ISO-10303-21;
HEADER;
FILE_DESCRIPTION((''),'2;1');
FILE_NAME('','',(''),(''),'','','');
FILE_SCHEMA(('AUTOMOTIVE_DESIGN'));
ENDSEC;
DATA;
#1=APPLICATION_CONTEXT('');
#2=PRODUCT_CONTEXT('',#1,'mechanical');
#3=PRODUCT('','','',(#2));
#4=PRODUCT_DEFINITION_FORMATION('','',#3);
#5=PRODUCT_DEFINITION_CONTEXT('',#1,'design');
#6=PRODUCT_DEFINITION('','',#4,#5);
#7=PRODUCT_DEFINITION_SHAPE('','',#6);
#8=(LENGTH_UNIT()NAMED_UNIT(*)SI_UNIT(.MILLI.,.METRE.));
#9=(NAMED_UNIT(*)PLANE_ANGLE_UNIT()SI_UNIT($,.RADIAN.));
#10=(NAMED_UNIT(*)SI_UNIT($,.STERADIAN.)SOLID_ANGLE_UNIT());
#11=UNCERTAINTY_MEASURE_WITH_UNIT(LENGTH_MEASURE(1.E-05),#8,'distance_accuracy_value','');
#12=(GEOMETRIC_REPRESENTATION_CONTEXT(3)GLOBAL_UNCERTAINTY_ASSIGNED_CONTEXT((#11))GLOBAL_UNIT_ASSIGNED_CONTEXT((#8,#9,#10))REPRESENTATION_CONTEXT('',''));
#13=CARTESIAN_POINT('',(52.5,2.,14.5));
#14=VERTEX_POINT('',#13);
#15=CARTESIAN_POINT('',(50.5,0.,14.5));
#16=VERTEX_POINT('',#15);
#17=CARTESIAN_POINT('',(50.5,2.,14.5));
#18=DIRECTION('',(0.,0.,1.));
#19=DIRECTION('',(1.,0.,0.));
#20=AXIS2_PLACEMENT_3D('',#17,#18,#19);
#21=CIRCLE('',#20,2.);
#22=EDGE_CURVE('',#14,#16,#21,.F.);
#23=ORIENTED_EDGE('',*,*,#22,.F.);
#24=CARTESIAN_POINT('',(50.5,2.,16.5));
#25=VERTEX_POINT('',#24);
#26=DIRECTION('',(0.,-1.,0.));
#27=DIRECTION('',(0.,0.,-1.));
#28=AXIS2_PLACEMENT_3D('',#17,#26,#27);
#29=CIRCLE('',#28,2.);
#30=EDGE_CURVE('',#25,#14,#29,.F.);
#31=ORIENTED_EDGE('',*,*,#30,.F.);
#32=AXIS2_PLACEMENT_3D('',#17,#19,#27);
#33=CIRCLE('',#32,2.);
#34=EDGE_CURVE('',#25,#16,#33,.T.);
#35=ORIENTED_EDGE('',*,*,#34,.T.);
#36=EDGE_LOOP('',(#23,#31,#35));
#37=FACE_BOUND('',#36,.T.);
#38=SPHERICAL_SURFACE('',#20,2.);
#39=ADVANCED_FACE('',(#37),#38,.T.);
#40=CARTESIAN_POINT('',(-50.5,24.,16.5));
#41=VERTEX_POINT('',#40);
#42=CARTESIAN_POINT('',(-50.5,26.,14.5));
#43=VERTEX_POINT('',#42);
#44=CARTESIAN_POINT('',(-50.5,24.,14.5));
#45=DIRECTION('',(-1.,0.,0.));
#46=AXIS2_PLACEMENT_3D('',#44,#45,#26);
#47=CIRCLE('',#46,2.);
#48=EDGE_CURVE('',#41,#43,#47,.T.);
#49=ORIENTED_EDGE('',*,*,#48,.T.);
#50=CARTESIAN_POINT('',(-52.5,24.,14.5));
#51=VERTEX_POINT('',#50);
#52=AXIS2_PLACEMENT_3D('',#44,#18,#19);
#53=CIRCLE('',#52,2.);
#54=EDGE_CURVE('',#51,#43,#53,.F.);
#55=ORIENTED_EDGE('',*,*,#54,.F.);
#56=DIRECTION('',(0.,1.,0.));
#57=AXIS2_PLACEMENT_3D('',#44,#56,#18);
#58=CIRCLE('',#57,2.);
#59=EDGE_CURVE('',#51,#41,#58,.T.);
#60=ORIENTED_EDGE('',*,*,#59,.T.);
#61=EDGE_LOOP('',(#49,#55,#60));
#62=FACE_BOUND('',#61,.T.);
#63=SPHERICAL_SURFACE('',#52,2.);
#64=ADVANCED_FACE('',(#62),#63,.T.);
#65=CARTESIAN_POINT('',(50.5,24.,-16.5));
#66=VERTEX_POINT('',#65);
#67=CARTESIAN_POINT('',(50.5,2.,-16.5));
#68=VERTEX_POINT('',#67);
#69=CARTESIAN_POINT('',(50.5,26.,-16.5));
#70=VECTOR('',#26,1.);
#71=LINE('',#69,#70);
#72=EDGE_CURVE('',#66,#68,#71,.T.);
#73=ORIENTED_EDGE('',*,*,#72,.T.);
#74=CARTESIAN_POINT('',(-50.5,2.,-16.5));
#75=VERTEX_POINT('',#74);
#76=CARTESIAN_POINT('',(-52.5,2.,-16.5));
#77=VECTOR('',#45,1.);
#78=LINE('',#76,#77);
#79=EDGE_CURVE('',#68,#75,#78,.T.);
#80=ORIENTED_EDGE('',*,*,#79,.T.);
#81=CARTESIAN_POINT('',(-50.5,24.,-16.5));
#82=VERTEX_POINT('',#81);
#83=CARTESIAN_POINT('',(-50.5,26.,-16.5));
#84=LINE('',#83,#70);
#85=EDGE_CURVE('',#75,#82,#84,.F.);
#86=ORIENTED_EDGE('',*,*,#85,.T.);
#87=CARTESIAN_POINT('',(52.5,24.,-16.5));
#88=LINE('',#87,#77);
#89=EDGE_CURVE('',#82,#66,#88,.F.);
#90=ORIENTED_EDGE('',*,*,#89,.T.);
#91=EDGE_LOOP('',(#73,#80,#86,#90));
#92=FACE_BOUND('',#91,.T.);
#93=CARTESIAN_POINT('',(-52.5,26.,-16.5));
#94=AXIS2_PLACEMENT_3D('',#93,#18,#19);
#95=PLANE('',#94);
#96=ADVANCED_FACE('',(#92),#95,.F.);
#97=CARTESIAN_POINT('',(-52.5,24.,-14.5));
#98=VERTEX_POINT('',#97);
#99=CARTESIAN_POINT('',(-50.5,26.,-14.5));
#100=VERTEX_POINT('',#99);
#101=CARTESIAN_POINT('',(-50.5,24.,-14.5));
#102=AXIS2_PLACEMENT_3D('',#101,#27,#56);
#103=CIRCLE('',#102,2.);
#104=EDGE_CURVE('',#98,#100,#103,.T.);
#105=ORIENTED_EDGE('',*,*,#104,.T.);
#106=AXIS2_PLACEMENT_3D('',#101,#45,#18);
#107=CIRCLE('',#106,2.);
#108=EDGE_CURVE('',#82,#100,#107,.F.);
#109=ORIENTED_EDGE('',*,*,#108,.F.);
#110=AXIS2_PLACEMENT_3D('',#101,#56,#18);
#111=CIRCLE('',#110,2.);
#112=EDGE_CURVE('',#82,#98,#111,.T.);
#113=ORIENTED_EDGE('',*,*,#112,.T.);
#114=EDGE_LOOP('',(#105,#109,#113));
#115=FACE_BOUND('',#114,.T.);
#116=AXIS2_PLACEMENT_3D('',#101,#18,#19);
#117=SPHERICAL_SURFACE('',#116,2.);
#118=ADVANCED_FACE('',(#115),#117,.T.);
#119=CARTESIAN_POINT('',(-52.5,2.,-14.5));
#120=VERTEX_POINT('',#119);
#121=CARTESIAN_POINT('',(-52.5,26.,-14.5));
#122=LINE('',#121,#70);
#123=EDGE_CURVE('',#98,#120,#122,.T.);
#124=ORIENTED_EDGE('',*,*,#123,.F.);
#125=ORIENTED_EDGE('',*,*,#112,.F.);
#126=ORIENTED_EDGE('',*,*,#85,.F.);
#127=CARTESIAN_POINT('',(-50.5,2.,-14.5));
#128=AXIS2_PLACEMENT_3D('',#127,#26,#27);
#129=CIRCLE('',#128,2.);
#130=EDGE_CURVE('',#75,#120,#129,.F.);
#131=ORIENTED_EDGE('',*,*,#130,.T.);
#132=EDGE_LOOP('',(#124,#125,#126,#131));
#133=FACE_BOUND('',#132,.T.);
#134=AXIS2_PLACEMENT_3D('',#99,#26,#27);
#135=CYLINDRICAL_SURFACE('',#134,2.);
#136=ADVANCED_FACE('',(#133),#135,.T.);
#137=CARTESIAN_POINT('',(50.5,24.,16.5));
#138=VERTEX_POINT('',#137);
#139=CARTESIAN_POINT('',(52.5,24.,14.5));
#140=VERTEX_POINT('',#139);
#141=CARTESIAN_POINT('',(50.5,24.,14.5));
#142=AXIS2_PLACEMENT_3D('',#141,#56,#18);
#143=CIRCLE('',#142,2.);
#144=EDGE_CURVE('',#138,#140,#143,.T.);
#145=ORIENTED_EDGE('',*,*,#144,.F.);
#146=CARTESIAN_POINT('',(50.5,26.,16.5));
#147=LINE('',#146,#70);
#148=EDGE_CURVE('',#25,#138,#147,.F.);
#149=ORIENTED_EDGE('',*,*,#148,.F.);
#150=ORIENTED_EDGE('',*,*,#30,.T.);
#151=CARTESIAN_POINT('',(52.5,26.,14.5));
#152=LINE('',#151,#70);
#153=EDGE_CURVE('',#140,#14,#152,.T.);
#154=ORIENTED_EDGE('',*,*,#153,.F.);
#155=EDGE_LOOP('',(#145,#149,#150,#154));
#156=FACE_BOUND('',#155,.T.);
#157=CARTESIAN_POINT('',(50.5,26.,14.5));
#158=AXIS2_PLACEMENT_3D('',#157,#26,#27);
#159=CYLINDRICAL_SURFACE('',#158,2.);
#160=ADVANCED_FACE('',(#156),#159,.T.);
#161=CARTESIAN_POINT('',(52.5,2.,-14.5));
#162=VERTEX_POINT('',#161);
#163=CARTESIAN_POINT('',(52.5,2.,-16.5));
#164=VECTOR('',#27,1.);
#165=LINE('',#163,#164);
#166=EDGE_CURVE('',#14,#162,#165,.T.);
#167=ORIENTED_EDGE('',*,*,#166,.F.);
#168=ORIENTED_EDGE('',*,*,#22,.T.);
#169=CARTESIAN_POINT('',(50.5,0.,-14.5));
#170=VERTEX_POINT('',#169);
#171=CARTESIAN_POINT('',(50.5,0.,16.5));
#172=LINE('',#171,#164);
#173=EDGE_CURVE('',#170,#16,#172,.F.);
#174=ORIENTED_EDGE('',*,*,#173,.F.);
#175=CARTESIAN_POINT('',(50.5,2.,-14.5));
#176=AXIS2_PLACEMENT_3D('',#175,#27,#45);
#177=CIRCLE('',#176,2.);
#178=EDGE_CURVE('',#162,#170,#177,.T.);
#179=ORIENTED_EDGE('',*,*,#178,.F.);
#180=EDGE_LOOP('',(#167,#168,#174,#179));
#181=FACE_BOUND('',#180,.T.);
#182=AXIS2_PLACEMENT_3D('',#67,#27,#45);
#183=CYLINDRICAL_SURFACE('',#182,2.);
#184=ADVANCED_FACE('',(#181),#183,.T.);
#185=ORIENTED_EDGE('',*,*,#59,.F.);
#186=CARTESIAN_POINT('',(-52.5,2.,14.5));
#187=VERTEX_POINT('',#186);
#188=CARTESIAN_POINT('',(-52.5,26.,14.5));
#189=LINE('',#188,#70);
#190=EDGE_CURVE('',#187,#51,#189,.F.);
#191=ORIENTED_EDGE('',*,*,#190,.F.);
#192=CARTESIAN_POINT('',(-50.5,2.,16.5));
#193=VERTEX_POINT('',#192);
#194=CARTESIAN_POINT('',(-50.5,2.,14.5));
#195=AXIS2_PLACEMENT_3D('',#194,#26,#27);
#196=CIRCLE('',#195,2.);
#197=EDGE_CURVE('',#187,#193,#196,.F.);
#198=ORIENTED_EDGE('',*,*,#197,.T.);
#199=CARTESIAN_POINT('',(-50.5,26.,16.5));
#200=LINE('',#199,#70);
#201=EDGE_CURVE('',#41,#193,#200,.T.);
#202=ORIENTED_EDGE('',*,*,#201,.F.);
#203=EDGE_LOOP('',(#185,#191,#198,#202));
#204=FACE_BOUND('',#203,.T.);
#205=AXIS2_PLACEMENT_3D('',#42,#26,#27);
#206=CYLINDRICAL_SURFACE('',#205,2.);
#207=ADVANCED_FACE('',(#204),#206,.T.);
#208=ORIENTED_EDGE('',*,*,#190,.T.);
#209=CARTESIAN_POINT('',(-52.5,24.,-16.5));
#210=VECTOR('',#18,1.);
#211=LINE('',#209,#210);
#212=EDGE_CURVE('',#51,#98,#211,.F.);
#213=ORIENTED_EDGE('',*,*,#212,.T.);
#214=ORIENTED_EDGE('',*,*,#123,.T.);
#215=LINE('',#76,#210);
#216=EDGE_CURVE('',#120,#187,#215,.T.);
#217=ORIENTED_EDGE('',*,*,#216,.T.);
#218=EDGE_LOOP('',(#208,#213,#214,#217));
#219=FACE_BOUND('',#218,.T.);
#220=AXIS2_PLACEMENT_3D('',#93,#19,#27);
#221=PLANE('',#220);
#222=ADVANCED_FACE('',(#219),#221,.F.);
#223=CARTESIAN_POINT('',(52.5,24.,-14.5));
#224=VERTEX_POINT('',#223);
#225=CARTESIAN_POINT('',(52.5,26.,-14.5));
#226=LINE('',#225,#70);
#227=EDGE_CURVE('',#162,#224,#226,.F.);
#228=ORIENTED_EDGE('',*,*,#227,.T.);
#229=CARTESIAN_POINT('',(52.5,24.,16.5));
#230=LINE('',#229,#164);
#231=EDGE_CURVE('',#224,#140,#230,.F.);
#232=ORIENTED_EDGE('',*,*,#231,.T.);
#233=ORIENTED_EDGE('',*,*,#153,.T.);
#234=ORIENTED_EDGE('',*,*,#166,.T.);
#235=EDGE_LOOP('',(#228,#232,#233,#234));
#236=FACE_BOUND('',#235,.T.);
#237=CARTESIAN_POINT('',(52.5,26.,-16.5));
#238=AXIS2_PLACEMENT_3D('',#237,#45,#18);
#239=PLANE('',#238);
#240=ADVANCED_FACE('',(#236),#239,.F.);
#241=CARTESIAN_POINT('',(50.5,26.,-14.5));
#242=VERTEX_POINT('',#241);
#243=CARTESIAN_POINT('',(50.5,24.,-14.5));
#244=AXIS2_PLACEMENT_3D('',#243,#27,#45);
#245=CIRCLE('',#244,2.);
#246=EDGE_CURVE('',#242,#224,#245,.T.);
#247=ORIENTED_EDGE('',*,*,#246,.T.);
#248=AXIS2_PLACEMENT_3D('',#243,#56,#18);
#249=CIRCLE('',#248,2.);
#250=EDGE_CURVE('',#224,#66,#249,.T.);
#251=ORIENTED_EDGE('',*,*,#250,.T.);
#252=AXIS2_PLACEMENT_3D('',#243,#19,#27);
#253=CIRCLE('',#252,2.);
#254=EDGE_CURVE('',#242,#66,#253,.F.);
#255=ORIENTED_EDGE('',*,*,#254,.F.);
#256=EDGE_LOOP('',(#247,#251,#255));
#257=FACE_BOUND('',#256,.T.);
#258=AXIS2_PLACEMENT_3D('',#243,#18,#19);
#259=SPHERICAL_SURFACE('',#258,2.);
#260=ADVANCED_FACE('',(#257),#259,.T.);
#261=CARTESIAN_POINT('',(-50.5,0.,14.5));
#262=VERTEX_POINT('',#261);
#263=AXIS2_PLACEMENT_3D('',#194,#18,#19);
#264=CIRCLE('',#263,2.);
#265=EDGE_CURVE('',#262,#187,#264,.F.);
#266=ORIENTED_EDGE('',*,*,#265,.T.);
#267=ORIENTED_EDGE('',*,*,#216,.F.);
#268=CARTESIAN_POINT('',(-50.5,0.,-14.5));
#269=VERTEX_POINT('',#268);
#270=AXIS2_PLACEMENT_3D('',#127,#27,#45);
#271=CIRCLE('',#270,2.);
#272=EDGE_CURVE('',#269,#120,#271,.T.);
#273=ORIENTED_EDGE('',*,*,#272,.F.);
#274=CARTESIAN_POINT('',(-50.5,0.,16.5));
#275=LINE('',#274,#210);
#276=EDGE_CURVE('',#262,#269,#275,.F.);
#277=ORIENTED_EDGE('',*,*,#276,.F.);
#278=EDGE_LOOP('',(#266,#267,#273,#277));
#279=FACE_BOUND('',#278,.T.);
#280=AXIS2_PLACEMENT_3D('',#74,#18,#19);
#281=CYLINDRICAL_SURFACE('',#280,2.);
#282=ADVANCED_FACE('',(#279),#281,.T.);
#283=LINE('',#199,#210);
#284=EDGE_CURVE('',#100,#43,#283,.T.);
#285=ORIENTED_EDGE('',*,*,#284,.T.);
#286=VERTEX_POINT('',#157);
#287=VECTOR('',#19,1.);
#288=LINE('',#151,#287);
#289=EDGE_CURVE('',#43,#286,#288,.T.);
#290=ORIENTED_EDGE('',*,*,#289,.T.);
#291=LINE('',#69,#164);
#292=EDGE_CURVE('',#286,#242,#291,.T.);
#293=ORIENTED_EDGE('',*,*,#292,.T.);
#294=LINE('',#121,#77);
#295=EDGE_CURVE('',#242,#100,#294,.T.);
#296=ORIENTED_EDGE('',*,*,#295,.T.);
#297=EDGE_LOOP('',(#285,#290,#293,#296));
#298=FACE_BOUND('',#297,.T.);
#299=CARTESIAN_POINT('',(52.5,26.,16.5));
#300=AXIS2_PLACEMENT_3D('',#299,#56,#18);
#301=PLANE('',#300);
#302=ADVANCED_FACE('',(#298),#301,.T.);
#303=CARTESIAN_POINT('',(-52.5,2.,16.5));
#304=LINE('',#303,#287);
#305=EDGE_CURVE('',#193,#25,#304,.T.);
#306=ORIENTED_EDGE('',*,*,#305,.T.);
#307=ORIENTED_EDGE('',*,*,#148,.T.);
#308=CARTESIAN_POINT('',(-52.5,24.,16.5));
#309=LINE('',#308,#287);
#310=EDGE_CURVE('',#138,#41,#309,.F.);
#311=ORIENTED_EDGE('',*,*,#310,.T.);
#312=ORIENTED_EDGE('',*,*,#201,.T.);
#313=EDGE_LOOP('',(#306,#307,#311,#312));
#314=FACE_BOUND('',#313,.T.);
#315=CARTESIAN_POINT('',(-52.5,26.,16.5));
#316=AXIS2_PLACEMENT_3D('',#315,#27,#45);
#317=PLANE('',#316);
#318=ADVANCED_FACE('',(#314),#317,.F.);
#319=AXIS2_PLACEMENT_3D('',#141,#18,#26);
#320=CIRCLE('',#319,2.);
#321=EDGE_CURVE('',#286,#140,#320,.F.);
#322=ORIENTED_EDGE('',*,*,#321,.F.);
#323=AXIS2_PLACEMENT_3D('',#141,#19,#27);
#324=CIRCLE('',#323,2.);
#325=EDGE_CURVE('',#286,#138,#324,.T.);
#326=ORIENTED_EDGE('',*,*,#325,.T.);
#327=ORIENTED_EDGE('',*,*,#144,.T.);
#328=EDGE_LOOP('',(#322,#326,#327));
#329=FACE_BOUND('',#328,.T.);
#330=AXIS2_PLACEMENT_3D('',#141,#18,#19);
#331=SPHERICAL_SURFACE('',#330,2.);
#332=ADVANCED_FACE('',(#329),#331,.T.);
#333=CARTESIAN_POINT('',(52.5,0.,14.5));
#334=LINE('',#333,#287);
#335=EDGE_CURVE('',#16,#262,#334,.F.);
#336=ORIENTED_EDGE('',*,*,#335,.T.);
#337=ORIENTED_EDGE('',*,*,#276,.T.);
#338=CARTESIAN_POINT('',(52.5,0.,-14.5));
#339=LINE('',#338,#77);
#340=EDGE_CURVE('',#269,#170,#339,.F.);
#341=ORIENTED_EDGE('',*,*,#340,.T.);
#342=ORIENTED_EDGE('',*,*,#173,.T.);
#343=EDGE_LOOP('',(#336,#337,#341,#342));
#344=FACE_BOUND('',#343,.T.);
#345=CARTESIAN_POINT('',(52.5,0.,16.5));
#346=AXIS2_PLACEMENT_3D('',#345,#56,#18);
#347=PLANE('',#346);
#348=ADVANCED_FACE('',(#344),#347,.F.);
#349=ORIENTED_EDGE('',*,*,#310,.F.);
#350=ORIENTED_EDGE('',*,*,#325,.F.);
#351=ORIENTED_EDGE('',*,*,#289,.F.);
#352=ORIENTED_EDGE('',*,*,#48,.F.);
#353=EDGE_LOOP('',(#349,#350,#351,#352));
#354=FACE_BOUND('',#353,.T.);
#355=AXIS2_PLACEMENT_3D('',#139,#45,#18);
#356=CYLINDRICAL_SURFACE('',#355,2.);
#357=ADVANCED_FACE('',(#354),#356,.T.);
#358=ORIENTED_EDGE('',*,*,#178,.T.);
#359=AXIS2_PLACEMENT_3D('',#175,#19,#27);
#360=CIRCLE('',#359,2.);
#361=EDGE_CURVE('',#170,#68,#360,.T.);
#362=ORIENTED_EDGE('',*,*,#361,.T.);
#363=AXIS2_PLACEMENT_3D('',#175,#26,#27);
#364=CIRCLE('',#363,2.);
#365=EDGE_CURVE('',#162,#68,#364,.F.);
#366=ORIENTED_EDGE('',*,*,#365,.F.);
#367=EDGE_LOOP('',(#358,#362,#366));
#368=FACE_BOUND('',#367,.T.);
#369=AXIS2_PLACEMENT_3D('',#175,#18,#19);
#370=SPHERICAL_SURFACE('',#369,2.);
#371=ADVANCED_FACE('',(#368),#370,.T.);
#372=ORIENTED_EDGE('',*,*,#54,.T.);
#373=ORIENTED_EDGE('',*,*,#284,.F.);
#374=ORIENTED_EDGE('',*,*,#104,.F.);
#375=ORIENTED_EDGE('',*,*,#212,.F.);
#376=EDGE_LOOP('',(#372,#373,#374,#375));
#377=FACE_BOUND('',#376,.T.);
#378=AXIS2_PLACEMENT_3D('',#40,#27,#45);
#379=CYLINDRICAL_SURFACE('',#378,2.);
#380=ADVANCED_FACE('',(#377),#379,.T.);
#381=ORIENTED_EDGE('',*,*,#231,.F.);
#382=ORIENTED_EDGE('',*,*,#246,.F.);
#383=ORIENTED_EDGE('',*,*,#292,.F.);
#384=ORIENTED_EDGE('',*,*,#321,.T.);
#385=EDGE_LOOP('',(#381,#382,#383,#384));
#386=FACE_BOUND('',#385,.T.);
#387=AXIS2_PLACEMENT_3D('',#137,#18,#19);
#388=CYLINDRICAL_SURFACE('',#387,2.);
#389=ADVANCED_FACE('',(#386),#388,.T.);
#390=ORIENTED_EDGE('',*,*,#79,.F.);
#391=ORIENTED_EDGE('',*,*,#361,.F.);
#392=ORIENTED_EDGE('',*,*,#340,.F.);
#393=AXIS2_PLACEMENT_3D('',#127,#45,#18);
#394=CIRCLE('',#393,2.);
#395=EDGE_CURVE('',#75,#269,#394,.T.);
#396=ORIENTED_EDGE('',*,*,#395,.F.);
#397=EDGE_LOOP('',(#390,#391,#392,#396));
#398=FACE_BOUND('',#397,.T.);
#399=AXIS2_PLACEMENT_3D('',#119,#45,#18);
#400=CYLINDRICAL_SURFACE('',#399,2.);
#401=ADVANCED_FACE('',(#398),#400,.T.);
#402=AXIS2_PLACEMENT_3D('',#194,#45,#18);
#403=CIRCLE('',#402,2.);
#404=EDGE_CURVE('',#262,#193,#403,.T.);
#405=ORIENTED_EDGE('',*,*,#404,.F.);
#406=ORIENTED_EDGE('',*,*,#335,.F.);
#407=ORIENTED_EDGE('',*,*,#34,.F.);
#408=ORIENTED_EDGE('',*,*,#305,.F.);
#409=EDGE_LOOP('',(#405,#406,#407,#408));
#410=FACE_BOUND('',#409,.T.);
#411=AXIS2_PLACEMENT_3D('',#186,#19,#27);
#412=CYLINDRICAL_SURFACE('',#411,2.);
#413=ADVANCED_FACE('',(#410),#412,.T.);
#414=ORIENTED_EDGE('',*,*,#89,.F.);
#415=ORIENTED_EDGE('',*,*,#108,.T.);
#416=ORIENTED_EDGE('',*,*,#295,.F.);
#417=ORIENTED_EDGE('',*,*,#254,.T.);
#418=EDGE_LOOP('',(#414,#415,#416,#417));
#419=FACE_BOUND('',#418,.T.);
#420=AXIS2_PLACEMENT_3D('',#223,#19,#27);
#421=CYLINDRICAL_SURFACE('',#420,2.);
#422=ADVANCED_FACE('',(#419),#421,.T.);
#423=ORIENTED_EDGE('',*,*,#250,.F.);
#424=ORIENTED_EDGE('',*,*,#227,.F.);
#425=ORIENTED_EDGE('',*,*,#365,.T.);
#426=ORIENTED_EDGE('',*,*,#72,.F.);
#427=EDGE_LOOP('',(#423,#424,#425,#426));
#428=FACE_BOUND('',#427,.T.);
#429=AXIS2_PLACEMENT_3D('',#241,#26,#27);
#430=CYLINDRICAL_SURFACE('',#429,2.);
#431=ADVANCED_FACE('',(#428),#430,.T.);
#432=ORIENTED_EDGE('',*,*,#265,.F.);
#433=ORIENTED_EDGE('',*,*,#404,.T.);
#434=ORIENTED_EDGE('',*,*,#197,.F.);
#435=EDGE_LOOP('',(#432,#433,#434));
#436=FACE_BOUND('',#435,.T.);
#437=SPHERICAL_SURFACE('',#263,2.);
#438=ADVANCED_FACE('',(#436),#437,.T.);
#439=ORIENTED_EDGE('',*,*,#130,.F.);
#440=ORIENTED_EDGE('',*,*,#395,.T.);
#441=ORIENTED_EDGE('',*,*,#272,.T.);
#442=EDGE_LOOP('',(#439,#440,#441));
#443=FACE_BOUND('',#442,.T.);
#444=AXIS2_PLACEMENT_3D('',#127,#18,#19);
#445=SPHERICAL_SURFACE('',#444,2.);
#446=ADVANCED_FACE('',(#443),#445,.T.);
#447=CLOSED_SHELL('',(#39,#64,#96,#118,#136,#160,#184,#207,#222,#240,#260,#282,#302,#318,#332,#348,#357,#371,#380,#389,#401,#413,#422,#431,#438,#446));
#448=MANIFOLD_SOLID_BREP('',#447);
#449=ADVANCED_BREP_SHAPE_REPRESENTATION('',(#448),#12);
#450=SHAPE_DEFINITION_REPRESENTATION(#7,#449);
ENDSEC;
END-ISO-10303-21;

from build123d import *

# Parameters (mm, degrees)
SKETCH_1_W      = 105
SKETCH_1_H      = 33
EXTRUDE_1_DEPTH = 26
FILLET_1_R      = 2


with BuildPart() as part:
    # 草圖1 → 填料-伸長1 (new body)
    with BuildSketch(Plane(origin=(0, 0, 0), x_dir=(1, 0, 0), z_dir=(0, 1, 0))):
        Rectangle(SKETCH_1_W, SKETCH_1_H)
    extrude(amount=EXTRUDE_1_DEPTH)

    # 圓角1
    fillet_1_edges = [part.edges().sort_by_distance(p)[0] for p in [
        (-52.5, 26, 0),
        (0, 26, 16.5),
        (52.5, 26, 0),
        (0, 0, 16.5),
        (-52.5, 0, 0),
        (0, 0, -16.5),
        (52.5, 0, 0),
        (0, 26, -16.5),
        (52.5, 13, 16.5),
        (-52.5, 13, 16.5),
        (-52.5, 13, -16.5),
        (52.5, 13, -16.5),
    ]]
    fillet(fillet_1_edges, radius=FILLET_1_R)


solid = part.part
